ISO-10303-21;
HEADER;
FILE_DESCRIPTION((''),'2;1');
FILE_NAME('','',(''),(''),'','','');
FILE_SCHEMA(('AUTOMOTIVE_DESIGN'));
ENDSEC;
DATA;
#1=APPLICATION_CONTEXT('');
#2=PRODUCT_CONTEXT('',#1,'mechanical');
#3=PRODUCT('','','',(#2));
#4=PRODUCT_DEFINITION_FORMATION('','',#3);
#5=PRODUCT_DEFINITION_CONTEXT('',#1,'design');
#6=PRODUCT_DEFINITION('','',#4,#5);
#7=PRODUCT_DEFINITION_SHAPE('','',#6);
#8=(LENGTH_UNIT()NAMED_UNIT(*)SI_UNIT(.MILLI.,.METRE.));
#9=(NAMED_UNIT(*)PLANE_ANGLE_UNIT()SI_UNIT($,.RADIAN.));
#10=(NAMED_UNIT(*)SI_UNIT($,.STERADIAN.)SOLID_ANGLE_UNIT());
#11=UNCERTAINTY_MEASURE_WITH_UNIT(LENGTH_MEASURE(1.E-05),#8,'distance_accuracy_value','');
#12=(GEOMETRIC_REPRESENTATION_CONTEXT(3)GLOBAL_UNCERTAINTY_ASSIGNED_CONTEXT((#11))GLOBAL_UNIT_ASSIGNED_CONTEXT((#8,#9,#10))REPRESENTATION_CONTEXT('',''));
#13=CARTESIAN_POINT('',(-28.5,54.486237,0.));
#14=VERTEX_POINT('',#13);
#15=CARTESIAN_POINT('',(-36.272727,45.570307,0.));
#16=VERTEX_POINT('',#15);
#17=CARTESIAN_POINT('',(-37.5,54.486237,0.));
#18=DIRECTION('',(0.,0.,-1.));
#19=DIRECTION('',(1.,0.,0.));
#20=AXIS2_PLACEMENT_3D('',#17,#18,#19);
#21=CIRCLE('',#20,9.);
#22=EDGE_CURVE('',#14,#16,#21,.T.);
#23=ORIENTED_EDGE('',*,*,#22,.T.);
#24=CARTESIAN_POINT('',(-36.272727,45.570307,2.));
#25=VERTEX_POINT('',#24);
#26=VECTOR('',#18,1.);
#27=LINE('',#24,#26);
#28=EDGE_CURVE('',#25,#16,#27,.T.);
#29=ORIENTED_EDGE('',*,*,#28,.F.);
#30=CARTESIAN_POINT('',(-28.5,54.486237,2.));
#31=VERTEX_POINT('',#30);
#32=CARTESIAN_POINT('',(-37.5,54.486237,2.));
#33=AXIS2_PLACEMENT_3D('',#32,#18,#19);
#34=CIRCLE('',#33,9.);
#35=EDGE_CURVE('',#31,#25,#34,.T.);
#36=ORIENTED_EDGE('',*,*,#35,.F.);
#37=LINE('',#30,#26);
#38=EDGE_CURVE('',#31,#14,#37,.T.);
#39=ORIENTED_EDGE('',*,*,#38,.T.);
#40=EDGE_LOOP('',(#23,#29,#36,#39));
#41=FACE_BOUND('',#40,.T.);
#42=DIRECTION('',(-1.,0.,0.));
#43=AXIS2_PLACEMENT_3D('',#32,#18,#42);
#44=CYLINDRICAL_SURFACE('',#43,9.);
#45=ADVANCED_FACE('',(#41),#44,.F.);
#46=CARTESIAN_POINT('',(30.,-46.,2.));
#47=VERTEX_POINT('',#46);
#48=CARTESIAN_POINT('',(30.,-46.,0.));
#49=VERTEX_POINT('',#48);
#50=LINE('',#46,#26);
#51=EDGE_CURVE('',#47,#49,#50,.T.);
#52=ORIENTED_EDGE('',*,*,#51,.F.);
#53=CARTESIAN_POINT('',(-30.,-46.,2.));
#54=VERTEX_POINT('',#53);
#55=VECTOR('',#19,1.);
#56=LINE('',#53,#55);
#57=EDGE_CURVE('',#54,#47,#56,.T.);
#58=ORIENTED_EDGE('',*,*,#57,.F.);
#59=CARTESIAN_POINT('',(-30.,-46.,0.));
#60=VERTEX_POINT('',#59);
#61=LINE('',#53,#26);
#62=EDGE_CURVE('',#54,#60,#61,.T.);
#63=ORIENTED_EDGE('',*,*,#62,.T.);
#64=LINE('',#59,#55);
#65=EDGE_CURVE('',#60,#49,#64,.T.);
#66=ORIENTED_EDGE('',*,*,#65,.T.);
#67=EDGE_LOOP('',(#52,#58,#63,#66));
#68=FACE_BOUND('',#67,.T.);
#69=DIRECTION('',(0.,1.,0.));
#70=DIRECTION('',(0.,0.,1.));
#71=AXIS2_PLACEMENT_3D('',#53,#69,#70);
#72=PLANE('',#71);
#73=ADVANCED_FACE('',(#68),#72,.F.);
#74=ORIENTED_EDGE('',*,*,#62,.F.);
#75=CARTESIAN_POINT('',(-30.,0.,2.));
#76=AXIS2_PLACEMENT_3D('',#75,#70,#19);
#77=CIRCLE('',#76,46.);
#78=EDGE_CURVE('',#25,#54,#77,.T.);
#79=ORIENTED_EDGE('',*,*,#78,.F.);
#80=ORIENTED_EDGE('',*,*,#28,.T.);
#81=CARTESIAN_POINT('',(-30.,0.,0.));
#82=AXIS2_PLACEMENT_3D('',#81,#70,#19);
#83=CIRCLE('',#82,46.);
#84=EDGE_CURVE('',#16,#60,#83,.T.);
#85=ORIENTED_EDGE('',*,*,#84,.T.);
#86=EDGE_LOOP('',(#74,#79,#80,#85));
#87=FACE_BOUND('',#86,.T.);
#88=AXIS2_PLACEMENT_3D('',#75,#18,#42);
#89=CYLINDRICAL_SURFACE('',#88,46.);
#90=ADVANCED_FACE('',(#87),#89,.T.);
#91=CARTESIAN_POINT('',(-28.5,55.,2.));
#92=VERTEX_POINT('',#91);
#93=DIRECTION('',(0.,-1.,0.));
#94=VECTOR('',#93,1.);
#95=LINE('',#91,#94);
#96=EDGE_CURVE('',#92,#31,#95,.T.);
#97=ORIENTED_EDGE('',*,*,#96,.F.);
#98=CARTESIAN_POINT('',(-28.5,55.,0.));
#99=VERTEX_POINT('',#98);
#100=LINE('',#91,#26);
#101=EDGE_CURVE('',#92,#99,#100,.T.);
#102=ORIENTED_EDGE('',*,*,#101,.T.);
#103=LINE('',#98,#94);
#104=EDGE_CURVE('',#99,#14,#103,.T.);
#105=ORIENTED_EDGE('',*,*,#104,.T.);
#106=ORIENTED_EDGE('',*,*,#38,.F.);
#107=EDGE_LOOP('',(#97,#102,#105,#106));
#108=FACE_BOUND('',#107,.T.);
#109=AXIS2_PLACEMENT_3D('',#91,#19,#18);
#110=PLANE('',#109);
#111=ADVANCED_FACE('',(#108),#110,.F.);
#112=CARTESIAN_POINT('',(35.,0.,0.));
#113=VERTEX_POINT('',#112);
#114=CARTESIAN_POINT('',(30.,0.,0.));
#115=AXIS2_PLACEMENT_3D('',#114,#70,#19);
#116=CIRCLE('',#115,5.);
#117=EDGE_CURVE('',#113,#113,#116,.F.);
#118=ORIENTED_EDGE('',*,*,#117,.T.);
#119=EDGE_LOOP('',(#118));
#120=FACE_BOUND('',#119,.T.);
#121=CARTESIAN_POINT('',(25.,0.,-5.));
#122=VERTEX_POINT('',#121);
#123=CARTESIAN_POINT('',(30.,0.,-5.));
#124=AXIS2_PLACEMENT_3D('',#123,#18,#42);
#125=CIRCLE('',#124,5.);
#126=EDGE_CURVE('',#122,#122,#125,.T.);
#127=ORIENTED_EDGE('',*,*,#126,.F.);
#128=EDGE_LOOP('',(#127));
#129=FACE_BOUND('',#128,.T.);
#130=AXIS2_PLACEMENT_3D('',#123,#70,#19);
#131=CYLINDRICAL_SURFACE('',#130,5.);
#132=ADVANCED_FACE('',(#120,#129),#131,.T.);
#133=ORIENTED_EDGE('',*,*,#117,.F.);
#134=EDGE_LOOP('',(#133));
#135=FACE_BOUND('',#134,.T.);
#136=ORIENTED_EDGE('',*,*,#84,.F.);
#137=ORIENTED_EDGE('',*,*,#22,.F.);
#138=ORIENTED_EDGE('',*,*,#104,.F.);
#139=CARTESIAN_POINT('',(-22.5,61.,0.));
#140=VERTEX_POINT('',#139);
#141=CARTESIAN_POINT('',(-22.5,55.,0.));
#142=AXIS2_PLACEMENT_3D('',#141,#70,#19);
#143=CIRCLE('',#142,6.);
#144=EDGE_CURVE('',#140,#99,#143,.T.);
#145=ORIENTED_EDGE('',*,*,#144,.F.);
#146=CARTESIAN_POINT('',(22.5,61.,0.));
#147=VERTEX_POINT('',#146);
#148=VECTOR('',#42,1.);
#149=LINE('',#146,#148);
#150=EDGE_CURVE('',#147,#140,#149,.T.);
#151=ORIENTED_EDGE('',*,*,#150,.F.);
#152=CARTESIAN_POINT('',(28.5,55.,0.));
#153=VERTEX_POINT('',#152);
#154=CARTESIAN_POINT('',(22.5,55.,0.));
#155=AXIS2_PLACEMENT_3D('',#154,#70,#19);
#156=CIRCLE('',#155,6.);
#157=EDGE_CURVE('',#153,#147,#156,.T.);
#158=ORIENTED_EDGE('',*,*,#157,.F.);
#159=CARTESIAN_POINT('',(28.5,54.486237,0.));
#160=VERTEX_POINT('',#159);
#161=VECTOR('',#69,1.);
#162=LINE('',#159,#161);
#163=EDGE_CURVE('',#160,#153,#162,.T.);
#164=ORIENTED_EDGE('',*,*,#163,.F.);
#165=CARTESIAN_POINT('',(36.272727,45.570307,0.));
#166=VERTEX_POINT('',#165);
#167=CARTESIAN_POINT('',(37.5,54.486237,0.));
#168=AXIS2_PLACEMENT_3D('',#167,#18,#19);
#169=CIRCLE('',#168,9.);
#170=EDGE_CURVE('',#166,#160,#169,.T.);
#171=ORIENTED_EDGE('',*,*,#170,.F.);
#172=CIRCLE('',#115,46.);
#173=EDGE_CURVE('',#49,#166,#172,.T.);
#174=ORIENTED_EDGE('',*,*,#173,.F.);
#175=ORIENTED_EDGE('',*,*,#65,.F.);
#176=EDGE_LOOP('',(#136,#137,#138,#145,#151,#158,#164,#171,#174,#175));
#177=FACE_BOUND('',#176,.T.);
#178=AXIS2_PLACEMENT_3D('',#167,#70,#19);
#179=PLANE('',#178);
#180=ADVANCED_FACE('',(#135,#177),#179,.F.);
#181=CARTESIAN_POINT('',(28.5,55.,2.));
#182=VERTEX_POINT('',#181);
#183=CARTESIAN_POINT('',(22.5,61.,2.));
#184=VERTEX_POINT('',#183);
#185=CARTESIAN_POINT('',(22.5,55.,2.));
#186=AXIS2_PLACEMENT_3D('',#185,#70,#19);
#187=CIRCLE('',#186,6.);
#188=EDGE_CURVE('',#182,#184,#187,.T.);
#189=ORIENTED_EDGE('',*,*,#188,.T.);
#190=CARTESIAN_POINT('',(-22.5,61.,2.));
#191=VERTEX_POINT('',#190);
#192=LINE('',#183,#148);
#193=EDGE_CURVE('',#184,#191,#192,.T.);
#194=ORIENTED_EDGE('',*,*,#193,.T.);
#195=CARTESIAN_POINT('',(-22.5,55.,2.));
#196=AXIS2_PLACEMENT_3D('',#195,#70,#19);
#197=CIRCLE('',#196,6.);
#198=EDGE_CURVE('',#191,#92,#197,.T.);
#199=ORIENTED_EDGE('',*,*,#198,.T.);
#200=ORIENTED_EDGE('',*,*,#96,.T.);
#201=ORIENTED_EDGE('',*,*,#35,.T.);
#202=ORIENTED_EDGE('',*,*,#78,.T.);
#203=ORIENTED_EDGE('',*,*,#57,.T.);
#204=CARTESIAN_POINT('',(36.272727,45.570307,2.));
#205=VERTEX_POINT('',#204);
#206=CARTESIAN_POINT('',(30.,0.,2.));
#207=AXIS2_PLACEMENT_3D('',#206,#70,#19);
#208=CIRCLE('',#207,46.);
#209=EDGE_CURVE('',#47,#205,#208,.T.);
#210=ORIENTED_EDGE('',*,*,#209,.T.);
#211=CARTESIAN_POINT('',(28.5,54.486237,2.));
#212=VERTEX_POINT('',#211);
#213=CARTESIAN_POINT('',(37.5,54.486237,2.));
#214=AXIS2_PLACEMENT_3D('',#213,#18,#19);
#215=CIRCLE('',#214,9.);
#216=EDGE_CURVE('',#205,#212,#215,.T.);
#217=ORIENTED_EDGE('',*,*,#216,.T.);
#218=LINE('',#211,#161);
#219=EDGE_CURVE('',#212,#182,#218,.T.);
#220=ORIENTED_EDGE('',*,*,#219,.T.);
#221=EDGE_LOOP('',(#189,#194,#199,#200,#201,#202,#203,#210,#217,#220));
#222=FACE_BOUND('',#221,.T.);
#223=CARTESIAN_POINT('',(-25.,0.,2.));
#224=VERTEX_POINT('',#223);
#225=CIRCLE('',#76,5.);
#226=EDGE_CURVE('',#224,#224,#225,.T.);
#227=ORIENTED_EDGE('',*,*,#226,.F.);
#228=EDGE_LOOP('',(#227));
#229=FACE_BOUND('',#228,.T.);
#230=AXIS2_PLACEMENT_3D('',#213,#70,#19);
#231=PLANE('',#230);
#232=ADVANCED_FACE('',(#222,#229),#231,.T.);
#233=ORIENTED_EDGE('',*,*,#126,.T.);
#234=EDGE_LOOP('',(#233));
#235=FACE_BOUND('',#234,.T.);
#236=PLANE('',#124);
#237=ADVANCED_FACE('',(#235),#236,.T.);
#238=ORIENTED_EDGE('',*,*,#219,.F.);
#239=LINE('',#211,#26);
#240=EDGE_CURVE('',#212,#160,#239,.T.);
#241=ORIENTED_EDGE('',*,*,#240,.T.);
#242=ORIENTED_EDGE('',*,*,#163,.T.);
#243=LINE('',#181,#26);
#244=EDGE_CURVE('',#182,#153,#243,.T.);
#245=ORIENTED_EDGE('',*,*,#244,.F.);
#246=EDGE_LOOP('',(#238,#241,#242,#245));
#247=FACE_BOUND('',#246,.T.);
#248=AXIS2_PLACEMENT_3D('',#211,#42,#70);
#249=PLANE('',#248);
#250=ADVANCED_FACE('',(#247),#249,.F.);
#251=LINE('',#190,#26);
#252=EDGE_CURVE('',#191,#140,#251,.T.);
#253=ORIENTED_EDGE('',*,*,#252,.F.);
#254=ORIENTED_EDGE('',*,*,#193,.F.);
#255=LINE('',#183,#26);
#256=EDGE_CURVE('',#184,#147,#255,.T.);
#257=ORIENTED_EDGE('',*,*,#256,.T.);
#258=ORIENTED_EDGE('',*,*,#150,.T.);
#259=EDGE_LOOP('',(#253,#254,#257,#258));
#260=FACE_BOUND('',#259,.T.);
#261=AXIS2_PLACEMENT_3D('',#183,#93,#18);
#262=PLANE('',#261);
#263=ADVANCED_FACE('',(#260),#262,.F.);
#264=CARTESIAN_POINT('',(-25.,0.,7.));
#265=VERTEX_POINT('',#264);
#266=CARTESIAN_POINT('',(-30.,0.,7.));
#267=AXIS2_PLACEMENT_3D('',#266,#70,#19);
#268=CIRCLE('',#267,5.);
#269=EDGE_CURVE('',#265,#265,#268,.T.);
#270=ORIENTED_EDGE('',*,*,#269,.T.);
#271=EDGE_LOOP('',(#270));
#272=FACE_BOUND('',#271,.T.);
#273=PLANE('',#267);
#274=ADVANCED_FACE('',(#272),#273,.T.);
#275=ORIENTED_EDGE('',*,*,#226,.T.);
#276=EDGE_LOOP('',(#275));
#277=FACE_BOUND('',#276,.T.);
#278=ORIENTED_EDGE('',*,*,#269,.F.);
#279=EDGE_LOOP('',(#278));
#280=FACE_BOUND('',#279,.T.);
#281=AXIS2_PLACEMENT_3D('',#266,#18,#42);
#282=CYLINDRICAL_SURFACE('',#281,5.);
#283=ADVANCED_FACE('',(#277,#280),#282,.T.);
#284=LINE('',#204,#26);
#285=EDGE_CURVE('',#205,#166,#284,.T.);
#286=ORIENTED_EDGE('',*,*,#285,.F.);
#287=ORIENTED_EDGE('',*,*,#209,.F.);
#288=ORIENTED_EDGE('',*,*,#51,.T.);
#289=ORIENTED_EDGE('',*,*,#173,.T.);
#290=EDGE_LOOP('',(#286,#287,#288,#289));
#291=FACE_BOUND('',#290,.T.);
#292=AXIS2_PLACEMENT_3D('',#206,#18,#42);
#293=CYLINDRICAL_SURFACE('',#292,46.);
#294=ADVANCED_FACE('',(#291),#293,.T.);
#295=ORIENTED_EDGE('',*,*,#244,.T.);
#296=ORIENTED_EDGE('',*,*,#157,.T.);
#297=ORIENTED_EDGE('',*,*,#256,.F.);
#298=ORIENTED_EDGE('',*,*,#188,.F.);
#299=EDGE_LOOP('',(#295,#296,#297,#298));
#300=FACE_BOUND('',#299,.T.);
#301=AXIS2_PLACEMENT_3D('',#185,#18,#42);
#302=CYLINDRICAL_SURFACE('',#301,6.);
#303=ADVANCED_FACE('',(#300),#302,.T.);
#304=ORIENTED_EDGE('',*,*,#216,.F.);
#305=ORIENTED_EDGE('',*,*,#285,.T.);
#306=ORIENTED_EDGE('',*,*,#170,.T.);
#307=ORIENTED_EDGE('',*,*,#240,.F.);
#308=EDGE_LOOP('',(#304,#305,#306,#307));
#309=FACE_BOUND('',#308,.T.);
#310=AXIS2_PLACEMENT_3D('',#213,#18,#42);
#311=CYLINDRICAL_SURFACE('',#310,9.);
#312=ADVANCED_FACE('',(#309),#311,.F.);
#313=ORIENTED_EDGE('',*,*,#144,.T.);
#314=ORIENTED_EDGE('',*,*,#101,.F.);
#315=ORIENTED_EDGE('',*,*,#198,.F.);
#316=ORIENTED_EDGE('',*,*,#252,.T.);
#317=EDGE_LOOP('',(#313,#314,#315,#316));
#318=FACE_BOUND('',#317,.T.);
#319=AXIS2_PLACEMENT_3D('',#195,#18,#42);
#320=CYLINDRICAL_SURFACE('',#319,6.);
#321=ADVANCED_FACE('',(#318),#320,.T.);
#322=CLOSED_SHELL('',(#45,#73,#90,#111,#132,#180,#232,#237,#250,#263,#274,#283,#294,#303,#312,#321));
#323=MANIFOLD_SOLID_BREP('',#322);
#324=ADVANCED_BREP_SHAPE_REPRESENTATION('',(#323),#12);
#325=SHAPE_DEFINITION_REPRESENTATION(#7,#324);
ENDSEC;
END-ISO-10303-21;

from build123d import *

# Parameters (mm, degrees)
BOSS_EXTRUDE1_DEPTH = 2
SKETCH2_R           = 5
BOSS_EXTRUDE2_DEPTH = 5
SKETCH3_R           = 5
BOSS_EXTRUDE3_DEPTH = 5


with BuildPart() as part:
    # Sketch1 → Boss-Extrude1 (new body)
    with BuildSketch(Plane.XY):
        with BuildLine():
            Line((28.5, 54.486236794), (28.5, 55))
            ThreePointArc((28.5, 55), (26.742640687, 59.242640687), (22.5, 61))
            Line((22.5, 61), (-22.5, 61))
            ThreePointArc((-22.5, 61), (-26.742640687, 59.242640687), (-28.5, 55))
            Line((-28.5, 55), (-28.5, 54.486236794))
            ThreePointArc((-28.5, 54.486236794), (-30.715994747, 48.572078128), (-36.272727273, 45.570307137))
            ThreePointArc((-36.272727273, 45.570307137), (-75.892451058, -3.143713703), (-30, -46))
            Line((-30, -46), (30, -46))
            ThreePointArc((30, -46), (75.892451058, -3.143713703), (36.272727273, 45.570307137))
            ThreePointArc((36.272727273, 45.570307137), (30.715994747, 48.572078128), (28.5, 54.486236794))
        make_face()
    extrude(amount=BOSS_EXTRUDE1_DEPTH)

    # Sketch2 → Boss-Extrude2 (add)
    with BuildSketch(Plane.XY.offset(2)):
        with Locations((-30, 0)):
            Circle(SKETCH2_R)
    extrude(amount=BOSS_EXTRUDE2_DEPTH)

    # Sketch3 → Boss-Extrude3 (add)
    with BuildSketch(Plane(origin=(0, 0, 0), x_dir=(-1, 0, 0), z_dir=(0, 0, -1))):
        with Locations((-30, 0)):
            Circle(SKETCH3_R)
    extrude(amount=BOSS_EXTRUDE3_DEPTH)


solid = part.part
